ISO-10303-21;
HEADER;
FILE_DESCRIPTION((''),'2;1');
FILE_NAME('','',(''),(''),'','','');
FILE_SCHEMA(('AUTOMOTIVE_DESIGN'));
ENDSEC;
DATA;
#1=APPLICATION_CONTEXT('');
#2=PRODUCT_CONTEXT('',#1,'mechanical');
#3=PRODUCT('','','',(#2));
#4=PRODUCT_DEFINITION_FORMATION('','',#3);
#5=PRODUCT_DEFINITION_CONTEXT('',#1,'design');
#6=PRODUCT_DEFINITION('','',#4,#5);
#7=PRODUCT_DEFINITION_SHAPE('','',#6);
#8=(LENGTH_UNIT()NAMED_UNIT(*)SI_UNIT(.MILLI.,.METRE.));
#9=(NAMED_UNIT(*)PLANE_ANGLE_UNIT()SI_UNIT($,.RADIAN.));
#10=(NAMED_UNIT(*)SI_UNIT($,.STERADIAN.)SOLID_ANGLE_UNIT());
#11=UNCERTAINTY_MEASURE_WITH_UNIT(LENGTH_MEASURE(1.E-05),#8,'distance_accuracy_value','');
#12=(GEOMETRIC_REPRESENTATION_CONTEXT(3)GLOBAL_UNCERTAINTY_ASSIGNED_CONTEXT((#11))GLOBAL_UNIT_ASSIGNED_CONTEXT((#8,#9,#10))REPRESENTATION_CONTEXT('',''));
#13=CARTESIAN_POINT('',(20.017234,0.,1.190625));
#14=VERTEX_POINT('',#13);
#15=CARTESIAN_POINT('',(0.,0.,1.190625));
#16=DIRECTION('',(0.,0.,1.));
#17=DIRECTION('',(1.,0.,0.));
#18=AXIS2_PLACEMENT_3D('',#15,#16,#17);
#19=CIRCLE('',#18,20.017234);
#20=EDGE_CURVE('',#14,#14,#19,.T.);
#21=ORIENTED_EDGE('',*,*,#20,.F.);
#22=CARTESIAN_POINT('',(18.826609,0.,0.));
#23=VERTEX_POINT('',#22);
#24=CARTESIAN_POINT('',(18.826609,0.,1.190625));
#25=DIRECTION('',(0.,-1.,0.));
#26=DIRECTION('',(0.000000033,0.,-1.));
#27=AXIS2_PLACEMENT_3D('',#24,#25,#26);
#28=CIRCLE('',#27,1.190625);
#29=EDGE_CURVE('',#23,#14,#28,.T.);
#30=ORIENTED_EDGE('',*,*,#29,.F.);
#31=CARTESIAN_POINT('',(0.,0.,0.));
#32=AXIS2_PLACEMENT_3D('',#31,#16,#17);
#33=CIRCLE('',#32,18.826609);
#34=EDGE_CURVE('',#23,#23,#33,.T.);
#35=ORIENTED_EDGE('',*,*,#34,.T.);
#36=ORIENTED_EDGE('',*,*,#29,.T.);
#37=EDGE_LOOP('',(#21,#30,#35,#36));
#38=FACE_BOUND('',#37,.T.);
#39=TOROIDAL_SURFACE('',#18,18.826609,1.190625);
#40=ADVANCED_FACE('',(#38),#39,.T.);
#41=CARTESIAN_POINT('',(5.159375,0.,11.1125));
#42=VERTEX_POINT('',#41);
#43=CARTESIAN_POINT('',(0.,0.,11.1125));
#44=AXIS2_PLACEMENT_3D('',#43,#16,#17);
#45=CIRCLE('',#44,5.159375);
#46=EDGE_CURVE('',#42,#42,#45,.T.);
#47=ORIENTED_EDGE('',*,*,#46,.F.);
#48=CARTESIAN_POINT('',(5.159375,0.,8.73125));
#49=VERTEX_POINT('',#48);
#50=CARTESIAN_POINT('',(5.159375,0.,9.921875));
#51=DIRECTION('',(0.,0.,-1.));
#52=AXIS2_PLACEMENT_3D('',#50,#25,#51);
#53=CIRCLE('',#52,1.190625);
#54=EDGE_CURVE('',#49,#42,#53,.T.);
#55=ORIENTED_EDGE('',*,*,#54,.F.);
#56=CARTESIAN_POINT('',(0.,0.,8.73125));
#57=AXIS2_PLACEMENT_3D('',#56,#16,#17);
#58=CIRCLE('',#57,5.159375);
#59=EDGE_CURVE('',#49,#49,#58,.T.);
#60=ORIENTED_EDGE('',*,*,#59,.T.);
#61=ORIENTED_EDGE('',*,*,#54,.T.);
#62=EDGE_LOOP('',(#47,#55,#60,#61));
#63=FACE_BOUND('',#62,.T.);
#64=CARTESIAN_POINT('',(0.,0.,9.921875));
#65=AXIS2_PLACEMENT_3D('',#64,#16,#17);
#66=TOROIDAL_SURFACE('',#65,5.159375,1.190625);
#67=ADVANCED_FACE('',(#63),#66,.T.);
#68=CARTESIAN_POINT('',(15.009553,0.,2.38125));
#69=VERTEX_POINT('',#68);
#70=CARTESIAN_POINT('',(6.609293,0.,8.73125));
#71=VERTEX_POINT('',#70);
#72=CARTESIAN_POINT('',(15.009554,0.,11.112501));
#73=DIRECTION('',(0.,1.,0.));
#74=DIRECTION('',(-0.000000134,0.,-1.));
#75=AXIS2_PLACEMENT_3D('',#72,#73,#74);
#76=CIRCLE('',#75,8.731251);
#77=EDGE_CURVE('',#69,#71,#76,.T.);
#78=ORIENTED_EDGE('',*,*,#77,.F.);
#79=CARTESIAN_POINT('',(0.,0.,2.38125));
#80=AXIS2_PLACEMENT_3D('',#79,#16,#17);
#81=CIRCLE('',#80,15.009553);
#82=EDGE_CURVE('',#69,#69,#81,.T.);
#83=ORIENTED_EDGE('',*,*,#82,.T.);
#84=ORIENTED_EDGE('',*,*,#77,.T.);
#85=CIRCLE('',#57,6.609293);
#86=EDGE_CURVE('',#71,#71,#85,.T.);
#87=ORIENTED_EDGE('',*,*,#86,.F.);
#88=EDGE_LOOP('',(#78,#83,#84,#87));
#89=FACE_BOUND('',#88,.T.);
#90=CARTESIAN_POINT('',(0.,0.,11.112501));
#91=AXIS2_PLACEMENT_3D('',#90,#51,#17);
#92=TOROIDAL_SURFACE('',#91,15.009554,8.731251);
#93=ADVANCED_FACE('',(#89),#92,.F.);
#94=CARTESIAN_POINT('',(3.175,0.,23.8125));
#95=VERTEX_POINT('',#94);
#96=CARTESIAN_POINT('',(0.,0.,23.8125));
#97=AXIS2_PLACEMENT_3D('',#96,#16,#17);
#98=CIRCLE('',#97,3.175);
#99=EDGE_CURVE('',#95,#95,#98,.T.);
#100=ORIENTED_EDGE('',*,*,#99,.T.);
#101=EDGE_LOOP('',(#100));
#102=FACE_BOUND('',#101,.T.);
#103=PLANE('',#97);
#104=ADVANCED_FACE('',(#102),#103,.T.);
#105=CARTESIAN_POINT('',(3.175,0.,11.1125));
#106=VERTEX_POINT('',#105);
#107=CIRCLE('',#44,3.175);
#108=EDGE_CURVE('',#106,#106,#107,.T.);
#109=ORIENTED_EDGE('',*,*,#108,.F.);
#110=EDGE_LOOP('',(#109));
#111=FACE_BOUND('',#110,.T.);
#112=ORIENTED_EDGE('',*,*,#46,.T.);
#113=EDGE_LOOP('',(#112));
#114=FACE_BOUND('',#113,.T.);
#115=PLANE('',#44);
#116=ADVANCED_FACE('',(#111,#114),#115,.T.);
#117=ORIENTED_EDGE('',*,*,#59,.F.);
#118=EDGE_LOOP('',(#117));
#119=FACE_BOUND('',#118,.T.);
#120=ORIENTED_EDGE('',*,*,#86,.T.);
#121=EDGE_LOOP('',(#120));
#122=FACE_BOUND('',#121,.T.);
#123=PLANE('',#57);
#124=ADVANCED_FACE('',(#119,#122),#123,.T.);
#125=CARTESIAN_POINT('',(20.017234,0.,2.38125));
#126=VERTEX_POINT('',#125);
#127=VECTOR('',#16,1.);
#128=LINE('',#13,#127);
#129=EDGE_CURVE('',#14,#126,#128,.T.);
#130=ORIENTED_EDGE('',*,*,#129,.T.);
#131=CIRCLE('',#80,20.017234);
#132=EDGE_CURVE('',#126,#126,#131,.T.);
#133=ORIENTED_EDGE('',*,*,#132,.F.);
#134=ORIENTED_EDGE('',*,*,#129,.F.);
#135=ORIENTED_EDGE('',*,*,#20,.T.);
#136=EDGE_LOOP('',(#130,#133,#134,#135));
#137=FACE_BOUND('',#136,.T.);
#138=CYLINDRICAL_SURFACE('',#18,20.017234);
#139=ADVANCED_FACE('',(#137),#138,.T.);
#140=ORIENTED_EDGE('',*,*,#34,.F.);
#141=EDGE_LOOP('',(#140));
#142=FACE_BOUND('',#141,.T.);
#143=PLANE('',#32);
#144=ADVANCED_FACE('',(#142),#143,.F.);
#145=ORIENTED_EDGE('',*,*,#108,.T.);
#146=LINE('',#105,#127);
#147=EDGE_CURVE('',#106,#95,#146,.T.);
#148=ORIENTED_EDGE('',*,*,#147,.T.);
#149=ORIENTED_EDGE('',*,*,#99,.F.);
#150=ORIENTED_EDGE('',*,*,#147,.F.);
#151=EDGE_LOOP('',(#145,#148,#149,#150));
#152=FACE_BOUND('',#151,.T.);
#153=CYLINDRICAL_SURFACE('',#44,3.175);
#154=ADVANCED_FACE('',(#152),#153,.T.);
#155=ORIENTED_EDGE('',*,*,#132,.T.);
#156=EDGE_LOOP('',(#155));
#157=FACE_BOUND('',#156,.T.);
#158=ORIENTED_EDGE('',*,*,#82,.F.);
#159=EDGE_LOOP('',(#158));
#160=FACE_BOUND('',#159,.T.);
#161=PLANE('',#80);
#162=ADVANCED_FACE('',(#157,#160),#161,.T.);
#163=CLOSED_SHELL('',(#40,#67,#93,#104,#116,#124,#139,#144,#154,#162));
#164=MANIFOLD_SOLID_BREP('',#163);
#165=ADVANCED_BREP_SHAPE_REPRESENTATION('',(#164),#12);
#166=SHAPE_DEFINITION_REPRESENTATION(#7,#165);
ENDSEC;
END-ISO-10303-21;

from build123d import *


with BuildPart() as f1:
    # F0 (on Front) → F1 (revolve)
    with BuildSketch(Plane.XZ):
        with BuildLine():
            Line((0, 23.8125), (0, 0))
            Line((0, 0), (18.826609, 0))
            ThreePointArc((18.826609, 0), (19.668508, 0.348726), (20.017234, 1.190625))
            Line((20.017234, 1.190625), (20.017234, 2.38125))
            Line((20.017234, 2.38125), (15.009553, 2.38125))
            ThreePointArc((15.009553, 2.38125), (9.744412, 4.147372), (6.609293, 8.73125))
            Line((6.609293, 8.73125), (5.159375, 8.73125))
            ThreePointArc((5.159375, 8.73125), (6.35, 9.921875), (5.159375, 11.1125))
            Line((5.159375, 11.1125), (3.175, 11.1125))
            Line((3.175, 11.1125), (3.175, 23.8125))
            Line((3.175, 23.8125), (0, 23.8125))
        make_face()
    revolve(axis=Axis((0, 0, 11.90625), (0, 0, 1)))


solid = f1.part
